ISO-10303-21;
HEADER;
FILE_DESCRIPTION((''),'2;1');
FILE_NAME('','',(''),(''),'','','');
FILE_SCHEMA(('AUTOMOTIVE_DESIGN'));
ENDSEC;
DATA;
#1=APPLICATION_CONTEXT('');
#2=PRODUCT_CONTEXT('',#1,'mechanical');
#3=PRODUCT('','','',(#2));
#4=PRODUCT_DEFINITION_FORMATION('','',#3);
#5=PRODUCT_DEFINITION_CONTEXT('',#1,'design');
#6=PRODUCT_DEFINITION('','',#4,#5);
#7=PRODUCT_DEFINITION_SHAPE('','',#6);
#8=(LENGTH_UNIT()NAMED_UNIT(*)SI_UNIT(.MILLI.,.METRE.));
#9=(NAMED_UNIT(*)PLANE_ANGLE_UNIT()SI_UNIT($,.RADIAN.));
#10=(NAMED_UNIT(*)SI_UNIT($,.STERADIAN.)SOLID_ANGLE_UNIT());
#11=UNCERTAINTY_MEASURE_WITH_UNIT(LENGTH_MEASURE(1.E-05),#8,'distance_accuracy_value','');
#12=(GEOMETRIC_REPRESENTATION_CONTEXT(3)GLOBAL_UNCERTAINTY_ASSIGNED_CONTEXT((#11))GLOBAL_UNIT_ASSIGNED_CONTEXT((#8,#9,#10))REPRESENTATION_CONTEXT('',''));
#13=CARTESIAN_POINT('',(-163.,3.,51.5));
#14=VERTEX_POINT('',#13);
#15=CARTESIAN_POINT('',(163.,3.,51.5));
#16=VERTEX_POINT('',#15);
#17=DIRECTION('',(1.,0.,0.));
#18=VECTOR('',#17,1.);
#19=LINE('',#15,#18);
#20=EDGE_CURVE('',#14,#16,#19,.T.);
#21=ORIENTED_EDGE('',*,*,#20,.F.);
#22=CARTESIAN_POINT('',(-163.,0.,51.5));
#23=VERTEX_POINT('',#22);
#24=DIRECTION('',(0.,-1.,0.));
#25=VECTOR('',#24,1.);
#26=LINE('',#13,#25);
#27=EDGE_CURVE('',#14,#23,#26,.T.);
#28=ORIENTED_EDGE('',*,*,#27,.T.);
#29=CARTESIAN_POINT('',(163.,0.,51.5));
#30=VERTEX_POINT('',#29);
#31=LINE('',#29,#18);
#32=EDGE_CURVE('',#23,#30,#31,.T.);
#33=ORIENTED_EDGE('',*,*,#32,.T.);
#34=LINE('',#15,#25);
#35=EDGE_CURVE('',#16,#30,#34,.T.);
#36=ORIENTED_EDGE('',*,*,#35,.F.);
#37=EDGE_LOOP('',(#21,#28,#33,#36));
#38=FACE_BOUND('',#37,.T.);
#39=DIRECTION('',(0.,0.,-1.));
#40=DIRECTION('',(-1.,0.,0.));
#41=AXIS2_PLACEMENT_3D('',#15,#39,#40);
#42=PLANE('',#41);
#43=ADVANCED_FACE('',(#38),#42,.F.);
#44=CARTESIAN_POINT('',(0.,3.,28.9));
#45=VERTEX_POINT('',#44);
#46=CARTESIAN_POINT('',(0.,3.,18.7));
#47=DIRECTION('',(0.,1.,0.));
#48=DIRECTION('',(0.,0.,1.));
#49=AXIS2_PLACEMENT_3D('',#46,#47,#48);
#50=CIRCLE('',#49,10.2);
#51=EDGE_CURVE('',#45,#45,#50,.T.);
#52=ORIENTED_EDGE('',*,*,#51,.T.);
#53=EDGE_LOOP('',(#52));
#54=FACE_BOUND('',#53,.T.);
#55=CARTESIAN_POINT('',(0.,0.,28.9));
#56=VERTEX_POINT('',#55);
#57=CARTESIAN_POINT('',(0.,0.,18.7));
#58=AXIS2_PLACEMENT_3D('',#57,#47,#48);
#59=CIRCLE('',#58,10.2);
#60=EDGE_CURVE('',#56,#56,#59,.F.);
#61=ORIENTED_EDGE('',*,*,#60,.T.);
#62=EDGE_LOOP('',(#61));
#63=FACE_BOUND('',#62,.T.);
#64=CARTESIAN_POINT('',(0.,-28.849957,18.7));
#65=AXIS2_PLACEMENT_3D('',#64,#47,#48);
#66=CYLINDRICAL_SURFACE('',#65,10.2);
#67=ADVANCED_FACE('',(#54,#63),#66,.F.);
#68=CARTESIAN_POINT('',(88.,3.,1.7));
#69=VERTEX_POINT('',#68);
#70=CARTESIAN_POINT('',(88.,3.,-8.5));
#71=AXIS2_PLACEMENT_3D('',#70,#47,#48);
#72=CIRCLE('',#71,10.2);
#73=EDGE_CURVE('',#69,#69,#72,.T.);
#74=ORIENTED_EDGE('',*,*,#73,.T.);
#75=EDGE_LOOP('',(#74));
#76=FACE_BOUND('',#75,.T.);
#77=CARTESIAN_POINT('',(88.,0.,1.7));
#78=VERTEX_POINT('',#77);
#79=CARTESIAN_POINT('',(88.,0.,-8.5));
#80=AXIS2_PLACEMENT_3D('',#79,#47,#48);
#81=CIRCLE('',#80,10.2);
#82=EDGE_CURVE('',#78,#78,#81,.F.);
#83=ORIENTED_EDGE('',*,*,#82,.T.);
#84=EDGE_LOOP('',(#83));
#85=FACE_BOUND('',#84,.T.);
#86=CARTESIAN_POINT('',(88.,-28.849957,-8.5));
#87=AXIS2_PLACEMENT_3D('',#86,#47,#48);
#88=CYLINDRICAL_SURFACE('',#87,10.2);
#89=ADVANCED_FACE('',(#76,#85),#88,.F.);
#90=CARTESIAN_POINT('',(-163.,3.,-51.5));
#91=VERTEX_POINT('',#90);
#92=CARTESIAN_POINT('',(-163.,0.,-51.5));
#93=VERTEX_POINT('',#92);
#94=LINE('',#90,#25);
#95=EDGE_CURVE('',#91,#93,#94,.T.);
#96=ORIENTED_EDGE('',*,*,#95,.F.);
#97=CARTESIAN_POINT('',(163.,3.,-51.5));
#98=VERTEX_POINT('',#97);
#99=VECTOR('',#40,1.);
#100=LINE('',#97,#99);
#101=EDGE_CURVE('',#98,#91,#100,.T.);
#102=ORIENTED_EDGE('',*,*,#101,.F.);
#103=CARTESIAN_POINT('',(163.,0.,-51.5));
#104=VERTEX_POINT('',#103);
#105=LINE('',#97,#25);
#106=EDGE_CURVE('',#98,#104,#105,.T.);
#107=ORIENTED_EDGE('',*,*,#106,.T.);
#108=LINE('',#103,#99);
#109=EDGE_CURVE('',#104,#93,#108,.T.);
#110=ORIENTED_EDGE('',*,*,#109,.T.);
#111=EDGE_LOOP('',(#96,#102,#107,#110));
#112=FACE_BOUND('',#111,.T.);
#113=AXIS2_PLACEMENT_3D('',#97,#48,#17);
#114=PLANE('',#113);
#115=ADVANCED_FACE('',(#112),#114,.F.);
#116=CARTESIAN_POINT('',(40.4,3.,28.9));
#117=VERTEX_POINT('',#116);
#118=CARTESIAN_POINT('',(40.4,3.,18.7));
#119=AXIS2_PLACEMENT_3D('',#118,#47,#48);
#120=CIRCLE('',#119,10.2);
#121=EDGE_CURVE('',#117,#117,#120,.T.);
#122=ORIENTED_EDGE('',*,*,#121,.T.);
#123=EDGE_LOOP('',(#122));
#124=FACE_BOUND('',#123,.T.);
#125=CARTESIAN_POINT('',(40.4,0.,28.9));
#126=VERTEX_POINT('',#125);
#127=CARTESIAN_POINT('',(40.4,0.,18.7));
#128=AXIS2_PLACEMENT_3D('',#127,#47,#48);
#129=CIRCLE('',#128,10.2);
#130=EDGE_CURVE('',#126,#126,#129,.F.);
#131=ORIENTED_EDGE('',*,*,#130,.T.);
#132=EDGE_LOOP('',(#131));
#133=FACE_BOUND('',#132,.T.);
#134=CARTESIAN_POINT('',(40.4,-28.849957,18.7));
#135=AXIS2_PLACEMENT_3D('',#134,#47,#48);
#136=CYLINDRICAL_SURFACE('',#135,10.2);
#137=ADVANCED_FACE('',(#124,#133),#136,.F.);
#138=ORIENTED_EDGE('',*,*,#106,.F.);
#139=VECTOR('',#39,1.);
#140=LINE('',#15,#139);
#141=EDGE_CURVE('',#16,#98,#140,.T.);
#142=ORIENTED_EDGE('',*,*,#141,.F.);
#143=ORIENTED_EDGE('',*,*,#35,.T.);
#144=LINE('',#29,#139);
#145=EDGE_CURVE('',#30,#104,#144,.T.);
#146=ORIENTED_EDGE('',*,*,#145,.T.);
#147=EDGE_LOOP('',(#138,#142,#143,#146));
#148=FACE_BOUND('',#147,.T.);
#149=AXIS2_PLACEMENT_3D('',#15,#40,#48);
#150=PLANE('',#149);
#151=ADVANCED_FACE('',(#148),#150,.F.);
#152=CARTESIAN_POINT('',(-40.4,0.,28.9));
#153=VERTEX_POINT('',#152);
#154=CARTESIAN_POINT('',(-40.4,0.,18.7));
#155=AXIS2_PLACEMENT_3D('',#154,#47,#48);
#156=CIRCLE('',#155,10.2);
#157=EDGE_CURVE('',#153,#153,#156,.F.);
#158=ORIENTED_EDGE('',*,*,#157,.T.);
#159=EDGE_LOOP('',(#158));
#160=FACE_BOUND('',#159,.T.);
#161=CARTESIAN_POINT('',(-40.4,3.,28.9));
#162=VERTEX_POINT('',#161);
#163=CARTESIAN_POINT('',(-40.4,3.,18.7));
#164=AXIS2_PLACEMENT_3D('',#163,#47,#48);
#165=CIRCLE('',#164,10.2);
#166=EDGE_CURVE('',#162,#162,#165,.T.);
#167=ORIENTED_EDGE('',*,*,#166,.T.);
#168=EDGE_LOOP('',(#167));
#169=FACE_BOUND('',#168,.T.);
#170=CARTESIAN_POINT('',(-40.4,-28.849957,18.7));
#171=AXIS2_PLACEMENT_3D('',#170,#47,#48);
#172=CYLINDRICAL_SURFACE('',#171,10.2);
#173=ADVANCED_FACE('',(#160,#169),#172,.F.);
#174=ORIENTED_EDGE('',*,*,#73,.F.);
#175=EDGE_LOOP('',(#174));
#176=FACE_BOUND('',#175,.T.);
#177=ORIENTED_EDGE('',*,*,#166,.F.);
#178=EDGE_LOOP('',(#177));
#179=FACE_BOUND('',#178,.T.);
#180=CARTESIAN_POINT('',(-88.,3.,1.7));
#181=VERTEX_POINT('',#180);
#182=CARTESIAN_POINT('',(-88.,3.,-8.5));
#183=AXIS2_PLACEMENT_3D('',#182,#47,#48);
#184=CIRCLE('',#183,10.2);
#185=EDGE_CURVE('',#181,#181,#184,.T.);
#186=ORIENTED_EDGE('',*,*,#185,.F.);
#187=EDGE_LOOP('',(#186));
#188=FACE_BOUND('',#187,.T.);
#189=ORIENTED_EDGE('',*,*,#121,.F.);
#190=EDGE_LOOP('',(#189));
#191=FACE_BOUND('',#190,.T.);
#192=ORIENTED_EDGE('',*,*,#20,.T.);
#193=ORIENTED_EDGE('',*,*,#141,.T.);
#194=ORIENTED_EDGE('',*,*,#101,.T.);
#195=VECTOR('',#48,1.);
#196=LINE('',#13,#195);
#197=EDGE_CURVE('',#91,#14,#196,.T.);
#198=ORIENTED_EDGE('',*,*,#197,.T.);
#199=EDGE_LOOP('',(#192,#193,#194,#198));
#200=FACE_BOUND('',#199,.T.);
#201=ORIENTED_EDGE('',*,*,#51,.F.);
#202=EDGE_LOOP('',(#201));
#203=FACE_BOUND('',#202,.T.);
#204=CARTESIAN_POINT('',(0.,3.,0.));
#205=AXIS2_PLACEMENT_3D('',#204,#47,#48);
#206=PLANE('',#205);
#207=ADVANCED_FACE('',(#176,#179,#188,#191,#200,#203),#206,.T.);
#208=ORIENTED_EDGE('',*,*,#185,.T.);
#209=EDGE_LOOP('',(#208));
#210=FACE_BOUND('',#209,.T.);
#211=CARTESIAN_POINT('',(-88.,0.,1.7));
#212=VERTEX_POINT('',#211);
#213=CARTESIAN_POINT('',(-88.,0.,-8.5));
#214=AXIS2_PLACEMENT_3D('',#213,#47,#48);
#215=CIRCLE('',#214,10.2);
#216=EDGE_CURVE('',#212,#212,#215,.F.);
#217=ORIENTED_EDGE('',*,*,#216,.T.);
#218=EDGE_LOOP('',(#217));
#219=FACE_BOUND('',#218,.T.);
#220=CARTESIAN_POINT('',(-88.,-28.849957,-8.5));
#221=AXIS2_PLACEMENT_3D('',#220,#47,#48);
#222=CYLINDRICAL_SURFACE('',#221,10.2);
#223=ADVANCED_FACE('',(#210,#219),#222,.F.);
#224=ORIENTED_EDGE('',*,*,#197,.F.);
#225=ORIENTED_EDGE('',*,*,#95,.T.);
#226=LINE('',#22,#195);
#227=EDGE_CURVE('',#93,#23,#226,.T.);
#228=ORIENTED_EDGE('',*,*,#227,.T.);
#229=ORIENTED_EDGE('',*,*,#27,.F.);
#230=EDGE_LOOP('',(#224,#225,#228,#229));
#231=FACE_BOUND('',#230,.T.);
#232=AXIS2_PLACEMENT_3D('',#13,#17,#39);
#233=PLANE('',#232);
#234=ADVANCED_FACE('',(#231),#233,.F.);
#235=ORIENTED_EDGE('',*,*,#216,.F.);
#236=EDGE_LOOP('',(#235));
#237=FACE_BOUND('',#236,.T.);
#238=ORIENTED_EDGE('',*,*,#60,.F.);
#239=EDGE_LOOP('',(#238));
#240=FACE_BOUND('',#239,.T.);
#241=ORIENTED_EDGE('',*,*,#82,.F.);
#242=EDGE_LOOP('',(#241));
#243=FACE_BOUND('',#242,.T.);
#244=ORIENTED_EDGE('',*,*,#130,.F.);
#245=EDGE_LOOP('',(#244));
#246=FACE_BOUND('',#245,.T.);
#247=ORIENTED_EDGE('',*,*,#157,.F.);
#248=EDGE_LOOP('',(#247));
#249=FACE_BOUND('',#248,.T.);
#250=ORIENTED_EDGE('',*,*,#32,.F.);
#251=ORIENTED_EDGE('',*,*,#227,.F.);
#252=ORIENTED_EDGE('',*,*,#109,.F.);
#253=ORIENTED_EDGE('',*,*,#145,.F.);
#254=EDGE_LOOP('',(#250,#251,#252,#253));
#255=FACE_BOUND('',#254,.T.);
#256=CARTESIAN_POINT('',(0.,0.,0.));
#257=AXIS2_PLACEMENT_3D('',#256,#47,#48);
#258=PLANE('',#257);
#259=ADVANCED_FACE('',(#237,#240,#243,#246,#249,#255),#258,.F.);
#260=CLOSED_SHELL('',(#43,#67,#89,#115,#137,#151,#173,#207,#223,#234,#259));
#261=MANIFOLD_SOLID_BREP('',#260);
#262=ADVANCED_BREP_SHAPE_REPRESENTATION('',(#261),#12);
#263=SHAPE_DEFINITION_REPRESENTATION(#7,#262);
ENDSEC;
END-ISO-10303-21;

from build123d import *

# Parameters (mm, degrees)
SKETCH2_W           = 326
SKETCH2_H           = 103
BOSS_EXTRUDE1_DEPTH = 3
CUT_EXTRUDE1_START  = -3
SKETCH3_R           = 10.2
CUT_EXTRUDE1_DEPTH  = 3


with BuildPart() as part:
    # Sketch2 → Boss-Extrude1 (new body)
    with BuildSketch(Plane(origin=(0, 0, 0), x_dir=(1, 0, 0), z_dir=(0, 1, 0))):
        Rectangle(SKETCH2_W, SKETCH2_H)
    extrude(amount=BOSS_EXTRUDE1_DEPTH)

    # Sketch3 → Cut-Extrude1 (cut)
    with BuildSketch(Plane(origin=(0, 3, 0), x_dir=(1, 0, 0), z_dir=(0, 1, 0)).offset(CUT_EXTRUDE1_START)):
        with Locations(Location((-88, 8.5, 0), (0, 0, 270))):
            Circle(SKETCH3_R)
        with Locations(Location((88, 8.5, 0), (0, 0, 270))):
            Circle(SKETCH3_R)
        with Locations(Location((-40.4, -18.7, 0), (0, 0, 270))):
            Circle(SKETCH3_R)
        with Locations(Location((0, -18.7, 0), (0, 0, 270))):
            Circle(SKETCH3_R)
        with Locations(Location((40.4, -18.7, 0), (0, 0, 270))):
            Circle(SKETCH3_R)
    extrude(amount=CUT_EXTRUDE1_DEPTH, mode=Mode.SUBTRACT)


solid = part.part
